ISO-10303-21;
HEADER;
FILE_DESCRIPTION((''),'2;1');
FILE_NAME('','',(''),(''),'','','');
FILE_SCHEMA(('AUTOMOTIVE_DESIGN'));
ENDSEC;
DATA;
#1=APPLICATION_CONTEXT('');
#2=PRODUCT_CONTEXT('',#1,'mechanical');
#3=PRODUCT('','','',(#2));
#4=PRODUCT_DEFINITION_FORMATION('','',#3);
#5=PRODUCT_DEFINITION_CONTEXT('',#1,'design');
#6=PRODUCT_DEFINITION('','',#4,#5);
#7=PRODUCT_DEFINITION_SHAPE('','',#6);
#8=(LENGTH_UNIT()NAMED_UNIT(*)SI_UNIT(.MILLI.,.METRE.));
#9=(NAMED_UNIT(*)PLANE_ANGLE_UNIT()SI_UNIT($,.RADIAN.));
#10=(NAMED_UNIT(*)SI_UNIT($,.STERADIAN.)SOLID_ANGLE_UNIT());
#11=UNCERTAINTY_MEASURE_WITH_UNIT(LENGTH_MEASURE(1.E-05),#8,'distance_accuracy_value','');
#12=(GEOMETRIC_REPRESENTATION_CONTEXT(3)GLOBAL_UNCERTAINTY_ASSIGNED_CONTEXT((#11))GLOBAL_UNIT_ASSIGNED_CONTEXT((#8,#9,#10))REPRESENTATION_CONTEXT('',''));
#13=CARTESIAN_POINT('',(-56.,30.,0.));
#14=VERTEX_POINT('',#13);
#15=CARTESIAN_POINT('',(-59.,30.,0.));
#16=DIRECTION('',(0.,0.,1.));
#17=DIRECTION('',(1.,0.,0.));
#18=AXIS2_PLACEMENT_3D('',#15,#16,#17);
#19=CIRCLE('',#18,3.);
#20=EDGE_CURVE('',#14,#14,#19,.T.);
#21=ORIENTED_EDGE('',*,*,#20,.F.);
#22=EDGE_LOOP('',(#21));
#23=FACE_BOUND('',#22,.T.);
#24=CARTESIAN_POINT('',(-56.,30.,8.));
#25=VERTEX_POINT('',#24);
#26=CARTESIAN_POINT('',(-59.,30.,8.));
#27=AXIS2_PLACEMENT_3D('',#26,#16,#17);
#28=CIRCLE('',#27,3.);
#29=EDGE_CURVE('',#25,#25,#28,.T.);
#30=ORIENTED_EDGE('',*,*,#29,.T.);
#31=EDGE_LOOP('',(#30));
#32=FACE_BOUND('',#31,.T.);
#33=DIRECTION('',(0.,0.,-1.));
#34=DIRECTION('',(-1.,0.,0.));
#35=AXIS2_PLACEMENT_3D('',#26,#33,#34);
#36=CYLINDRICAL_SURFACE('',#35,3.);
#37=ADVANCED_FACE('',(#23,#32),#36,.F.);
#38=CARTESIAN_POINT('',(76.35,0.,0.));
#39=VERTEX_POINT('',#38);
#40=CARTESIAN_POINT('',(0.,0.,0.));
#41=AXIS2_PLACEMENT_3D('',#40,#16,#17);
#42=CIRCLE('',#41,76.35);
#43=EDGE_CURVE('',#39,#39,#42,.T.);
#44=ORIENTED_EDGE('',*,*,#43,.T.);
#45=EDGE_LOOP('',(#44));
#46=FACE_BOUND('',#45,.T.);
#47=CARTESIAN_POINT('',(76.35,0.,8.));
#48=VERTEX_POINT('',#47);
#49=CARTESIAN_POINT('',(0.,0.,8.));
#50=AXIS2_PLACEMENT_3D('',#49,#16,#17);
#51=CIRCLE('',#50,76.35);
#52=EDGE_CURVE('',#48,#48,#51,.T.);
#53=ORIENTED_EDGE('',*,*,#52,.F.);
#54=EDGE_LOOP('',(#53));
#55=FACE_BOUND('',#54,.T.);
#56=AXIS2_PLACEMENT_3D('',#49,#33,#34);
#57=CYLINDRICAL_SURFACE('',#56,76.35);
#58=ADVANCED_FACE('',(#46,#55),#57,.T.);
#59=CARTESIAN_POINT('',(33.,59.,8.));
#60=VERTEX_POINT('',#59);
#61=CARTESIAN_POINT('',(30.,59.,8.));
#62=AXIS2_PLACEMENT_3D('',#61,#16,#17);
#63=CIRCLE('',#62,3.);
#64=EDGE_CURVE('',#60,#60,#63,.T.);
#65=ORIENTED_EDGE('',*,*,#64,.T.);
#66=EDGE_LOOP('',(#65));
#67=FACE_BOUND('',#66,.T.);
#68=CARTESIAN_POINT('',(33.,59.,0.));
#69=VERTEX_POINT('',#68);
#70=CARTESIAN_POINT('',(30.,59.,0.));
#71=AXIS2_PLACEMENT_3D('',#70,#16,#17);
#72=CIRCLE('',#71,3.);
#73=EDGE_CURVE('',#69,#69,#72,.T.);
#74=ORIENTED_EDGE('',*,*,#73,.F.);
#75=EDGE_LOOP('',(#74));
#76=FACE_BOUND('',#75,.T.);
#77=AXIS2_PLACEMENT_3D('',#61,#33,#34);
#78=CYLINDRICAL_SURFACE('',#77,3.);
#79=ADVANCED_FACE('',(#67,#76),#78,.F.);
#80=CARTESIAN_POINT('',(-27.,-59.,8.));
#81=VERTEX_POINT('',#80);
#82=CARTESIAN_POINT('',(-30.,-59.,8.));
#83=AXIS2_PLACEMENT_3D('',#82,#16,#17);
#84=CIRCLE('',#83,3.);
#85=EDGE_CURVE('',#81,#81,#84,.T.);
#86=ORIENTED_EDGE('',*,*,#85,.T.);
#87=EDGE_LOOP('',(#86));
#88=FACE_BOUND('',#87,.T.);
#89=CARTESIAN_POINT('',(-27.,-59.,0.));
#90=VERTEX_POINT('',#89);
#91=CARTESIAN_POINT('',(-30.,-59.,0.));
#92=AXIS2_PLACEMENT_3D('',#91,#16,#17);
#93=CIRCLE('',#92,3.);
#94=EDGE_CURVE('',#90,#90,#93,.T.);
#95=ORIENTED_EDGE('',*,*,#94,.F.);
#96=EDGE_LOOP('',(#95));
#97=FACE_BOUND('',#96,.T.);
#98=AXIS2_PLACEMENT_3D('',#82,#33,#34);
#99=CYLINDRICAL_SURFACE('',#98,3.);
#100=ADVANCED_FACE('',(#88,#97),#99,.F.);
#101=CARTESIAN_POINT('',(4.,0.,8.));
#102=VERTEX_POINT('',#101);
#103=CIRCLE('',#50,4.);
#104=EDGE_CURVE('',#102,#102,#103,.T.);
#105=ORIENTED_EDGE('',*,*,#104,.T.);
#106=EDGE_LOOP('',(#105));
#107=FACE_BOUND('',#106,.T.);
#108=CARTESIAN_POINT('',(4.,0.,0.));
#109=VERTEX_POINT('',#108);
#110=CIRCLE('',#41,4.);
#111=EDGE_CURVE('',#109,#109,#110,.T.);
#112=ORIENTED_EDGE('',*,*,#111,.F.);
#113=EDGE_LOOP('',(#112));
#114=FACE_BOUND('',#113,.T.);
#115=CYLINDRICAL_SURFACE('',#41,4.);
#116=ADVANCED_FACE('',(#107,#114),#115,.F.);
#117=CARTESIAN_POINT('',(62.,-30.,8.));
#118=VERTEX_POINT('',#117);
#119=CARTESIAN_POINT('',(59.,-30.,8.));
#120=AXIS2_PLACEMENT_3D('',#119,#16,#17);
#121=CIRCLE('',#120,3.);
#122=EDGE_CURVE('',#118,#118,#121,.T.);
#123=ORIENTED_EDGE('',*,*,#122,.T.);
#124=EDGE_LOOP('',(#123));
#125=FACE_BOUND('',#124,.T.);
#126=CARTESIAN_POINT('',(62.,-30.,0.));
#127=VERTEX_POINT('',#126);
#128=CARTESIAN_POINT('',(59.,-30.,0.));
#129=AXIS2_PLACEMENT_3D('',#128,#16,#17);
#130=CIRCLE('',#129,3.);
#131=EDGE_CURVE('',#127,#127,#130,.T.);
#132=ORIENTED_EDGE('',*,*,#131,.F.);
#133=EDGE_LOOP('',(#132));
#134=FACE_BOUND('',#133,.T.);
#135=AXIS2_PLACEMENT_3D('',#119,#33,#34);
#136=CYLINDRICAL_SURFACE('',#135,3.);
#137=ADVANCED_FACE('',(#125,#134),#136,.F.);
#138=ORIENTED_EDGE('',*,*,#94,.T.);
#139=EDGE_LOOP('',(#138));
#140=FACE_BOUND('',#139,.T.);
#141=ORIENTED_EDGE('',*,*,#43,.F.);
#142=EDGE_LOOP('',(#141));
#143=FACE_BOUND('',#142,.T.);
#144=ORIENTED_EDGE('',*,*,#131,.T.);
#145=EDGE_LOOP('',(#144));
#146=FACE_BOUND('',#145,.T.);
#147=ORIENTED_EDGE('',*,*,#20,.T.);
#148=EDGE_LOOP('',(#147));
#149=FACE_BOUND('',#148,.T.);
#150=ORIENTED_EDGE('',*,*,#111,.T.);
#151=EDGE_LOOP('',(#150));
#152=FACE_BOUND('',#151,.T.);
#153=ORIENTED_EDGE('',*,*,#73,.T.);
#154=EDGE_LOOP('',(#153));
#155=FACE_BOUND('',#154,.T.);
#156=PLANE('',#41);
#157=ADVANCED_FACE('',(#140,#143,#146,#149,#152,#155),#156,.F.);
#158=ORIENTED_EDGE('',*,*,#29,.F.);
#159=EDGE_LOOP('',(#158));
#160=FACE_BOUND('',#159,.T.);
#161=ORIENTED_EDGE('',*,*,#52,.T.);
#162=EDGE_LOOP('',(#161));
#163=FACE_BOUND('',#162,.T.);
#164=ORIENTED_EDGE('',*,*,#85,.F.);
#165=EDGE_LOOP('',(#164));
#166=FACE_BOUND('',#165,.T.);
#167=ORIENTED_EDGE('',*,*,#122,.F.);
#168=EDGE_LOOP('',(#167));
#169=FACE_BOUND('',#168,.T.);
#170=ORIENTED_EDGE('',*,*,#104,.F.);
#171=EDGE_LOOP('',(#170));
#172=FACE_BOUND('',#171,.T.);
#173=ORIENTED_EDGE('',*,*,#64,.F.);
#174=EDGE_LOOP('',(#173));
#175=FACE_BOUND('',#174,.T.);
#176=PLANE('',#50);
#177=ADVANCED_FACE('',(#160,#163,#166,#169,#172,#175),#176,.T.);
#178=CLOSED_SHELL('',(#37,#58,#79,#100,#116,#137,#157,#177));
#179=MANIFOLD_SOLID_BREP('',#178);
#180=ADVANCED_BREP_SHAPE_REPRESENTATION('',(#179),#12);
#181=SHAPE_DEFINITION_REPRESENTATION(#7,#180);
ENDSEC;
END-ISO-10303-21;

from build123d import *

# Parameters (mm, degrees)
SKETCH1_R           = 3
BOSS_EXTRUDE3_DEPTH = 8
SKETCH2_R           = 4
CUT_EXTRUDE1_DEPTH  = 109.271164213


with BuildPart() as part:
    # Sketch1 → Boss-Extrude3 (new body)
    # profile 1 of 5: a face of its own
    with BuildSketch(Plane.XY):
        with BuildLine():
            ThreePointArc((76.35, 0), (53.987602744, 53.987602744), (0, 76.35))
            ThreePointArc((0, 76.35), (-62.014972319, 44.536116897), (-72.348554199, -24.392810524))
            ThreePointArc((-72.348554199, -24.392810524), (-44.536116897, -62.014972319), (0, -76.35))
            ThreePointArc((0, -76.35), (53.987602744, -53.987602744), (76.35, 0))
        make_face()
        Polygon((-27.25, -54.236860279), (-24.5, -59), (-27.25, -63.763139721), (-32.75, -63.763139721), (-35.5, -59), (-32.75, -54.236860279), align=None, mode=Mode.SUBTRACT)
        Polygon((54.236860279, -27.25), (59, -24.5), (63.763139721, -27.25), (63.763139721, -32.75), (59, -35.5), (54.236860279, -32.75), align=None, mode=Mode.SUBTRACT)
        Polygon((-54.236860279, 27.25), (-59, 24.5), (-63.763139721, 27.25), (-63.763139721, 32.75), (-59, 35.5), (-54.236860279, 32.75), align=None, mode=Mode.SUBTRACT)
        Polygon((27.25, 54.236860279), (24.5, 59), (27.25, 63.763139721), (32.75, 63.763139721), (35.5, 59), (32.75, 54.236860279), align=None, mode=Mode.SUBTRACT)
    # profile 2 of 5: a face of its own
    with BuildSketch(Plane.XY):
        Polygon((-63.763139721, 32.75), (-63.763139721, 27.25), (-59, 24.5), (-54.236860279, 27.25), (-54.236860279, 32.75), (-59, 35.5), align=None)
        with Locations((-59, 30)):
            Circle(SKETCH1_R, mode=Mode.SUBTRACT)
    # profile 3 of 5: a face of its own
    with BuildSketch(Plane.XY):
        Polygon((32.75, 63.763139721), (27.25, 63.763139721), (24.5, 59), (27.25, 54.236860279), (32.75, 54.236860279), (35.5, 59), align=None)
        with Locations((30, 59)):
            Circle(SKETCH1_R, mode=Mode.SUBTRACT)
    # profile 4 of 5: a face of its own
    with BuildSketch(Plane.XY):
        Polygon((63.763139721, -32.75), (63.763139721, -27.25), (59, -24.5), (54.236860279, -27.25), (54.236860279, -32.75), (59, -35.5), align=None)
        with Locations((59, -30)):
            Circle(SKETCH1_R, mode=Mode.SUBTRACT)
    # profile 5 of 5: a face of its own
    with BuildSketch(Plane.XY):
        Polygon((-32.75, -63.763139721), (-27.25, -63.763139721), (-24.5, -59), (-27.25, -54.236860279), (-32.75, -54.236860279), (-35.5, -59), align=None)
        with Locations((-30, -59)):
            Circle(SKETCH1_R, mode=Mode.SUBTRACT)
    extrude(amount=BOSS_EXTRUDE3_DEPTH)

    # Sketch2 → Cut-Extrude1 (cut, through all)
    with BuildSketch(Plane.XY.offset(8)):
        Circle(SKETCH2_R)
    extrude(amount=-CUT_EXTRUDE1_DEPTH, mode=Mode.SUBTRACT)


solid = part.part
